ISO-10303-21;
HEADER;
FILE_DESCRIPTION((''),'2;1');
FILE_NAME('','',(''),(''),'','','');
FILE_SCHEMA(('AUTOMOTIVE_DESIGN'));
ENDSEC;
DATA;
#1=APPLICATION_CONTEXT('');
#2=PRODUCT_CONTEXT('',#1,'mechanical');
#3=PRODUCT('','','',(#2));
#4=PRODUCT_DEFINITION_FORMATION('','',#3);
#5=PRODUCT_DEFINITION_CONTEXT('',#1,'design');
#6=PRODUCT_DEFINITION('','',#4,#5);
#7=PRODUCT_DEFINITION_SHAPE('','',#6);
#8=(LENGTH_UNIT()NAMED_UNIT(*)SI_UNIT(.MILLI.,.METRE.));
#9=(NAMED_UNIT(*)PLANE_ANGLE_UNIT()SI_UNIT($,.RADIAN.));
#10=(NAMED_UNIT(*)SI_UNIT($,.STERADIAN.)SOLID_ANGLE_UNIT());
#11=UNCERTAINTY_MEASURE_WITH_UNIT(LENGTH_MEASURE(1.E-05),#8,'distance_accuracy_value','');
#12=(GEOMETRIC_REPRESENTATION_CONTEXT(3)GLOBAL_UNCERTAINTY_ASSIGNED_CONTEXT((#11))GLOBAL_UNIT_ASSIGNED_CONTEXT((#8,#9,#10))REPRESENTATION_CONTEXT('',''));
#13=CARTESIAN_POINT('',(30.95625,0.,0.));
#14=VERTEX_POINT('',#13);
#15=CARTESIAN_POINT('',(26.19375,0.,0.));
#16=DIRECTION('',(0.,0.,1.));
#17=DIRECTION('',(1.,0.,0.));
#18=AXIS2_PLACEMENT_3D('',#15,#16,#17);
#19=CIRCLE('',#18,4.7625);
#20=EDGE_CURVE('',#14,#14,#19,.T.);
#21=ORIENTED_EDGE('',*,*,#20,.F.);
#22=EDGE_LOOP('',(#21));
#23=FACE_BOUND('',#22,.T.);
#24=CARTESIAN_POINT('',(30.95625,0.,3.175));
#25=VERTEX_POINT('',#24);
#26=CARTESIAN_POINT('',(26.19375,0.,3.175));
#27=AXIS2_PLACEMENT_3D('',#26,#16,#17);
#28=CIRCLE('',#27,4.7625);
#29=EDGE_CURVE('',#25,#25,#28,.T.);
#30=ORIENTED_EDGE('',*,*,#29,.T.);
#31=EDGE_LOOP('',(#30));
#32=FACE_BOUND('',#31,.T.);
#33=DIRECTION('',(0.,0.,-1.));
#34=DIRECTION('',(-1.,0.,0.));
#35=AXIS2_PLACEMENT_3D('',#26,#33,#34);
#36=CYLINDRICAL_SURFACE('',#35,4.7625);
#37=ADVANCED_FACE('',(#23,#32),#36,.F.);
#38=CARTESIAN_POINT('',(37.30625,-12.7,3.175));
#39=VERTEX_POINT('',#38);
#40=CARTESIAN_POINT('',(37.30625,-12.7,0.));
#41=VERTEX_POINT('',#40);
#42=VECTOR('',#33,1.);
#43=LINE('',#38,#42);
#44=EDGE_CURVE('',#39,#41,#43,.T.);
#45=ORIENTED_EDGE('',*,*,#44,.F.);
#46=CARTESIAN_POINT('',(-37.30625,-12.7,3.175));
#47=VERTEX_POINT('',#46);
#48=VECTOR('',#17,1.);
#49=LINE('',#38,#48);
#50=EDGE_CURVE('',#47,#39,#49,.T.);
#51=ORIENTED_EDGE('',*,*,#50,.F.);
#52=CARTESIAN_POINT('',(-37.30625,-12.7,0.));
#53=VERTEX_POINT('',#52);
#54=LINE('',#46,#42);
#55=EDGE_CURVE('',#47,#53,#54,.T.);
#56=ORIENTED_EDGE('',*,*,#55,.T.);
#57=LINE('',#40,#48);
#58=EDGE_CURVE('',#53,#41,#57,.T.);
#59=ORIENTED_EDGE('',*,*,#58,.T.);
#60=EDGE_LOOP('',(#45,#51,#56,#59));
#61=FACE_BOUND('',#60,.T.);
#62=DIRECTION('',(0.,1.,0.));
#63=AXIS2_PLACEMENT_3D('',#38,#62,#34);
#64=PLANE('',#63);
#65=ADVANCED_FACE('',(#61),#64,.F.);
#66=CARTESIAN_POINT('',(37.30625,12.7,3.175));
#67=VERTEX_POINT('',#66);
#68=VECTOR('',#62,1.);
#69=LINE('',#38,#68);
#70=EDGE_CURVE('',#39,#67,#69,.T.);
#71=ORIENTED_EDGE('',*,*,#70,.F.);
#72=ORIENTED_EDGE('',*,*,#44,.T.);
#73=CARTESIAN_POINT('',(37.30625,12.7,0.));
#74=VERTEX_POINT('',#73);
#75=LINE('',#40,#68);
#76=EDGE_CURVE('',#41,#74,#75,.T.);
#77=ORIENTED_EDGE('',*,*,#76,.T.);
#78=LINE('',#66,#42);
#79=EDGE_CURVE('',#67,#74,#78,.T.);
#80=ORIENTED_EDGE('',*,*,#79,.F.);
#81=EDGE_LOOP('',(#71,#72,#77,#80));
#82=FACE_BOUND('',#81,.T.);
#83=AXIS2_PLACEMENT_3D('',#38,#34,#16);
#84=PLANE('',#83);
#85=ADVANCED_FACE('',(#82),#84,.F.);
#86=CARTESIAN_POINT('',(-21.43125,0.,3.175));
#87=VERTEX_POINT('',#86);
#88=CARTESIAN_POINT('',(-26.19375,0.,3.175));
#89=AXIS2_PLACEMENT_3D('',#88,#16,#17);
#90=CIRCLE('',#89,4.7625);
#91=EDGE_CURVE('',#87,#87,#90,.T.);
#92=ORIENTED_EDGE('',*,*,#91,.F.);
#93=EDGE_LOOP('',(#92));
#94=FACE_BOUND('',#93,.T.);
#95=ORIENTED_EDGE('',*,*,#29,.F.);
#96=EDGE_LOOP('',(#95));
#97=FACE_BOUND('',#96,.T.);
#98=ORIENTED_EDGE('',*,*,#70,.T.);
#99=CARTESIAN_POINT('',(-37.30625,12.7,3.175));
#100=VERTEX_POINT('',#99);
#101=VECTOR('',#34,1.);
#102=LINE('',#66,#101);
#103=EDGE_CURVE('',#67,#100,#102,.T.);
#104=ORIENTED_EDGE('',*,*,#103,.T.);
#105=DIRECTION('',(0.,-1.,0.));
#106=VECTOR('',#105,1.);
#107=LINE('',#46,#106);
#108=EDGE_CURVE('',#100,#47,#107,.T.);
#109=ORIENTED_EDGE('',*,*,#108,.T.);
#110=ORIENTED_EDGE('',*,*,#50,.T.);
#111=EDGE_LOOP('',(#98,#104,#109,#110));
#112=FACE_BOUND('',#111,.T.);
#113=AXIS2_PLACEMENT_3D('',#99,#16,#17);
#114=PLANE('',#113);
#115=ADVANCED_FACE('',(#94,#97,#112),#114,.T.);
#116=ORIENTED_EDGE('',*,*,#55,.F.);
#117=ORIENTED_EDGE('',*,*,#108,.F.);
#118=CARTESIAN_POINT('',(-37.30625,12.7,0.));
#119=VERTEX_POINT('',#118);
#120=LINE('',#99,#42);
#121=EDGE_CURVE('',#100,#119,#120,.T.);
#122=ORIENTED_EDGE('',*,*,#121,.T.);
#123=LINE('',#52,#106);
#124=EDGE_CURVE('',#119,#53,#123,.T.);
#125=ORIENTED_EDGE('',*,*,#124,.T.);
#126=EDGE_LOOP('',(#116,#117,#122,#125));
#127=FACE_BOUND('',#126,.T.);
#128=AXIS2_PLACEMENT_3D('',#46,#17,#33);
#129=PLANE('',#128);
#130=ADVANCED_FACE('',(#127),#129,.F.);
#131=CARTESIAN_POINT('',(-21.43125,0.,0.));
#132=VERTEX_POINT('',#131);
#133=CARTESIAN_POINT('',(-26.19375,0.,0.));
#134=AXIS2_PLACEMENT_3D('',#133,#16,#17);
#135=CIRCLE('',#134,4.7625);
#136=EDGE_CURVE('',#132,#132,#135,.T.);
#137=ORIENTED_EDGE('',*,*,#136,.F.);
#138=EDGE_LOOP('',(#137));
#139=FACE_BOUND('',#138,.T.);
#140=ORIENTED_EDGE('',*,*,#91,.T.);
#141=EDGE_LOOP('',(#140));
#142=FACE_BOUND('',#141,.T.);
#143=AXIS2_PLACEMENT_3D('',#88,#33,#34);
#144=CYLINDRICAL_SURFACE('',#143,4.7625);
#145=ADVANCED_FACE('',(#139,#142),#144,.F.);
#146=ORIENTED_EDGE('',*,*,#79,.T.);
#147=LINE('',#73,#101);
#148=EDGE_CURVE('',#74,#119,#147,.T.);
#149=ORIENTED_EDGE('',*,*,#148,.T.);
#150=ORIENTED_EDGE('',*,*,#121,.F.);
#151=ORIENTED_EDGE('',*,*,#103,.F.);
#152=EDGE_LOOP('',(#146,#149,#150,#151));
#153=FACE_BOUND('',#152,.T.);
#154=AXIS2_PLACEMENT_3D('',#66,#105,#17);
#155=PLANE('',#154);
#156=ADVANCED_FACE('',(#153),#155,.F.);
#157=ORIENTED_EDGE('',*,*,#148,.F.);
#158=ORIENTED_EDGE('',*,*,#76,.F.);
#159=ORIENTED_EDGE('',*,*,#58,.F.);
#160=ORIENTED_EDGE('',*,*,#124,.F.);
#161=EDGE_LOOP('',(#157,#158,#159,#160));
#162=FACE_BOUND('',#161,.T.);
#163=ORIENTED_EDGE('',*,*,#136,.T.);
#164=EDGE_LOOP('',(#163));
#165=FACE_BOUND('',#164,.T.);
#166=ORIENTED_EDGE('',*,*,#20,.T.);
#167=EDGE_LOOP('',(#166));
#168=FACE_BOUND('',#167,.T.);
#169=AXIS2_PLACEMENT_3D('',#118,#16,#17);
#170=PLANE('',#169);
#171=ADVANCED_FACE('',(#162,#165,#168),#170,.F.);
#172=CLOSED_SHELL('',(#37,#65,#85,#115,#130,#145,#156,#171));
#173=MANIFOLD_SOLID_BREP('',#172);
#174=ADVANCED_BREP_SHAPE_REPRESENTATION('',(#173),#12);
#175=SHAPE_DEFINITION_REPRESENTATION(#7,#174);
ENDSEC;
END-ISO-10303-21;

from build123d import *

# Parameters (mm, degrees)
SKETCH1_W           = 74.6125
SKETCH1_H           = 25.4
SKETCH1_R           = 4.7625
BOSS_EXTRUDE1_DEPTH = 3.175


with BuildPart() as part:
    # Sketch1 → Boss-Extrude1 (new body)
    with BuildSketch(Plane.XY):
        Rectangle(SKETCH1_W, SKETCH1_H)
        with Locations((-26.19375, 0)):
            Circle(SKETCH1_R, mode=Mode.SUBTRACT)
        with Locations((26.19375, 0)):
            Circle(SKETCH1_R, mode=Mode.SUBTRACT)
    extrude(amount=BOSS_EXTRUDE1_DEPTH)


solid = part.part
